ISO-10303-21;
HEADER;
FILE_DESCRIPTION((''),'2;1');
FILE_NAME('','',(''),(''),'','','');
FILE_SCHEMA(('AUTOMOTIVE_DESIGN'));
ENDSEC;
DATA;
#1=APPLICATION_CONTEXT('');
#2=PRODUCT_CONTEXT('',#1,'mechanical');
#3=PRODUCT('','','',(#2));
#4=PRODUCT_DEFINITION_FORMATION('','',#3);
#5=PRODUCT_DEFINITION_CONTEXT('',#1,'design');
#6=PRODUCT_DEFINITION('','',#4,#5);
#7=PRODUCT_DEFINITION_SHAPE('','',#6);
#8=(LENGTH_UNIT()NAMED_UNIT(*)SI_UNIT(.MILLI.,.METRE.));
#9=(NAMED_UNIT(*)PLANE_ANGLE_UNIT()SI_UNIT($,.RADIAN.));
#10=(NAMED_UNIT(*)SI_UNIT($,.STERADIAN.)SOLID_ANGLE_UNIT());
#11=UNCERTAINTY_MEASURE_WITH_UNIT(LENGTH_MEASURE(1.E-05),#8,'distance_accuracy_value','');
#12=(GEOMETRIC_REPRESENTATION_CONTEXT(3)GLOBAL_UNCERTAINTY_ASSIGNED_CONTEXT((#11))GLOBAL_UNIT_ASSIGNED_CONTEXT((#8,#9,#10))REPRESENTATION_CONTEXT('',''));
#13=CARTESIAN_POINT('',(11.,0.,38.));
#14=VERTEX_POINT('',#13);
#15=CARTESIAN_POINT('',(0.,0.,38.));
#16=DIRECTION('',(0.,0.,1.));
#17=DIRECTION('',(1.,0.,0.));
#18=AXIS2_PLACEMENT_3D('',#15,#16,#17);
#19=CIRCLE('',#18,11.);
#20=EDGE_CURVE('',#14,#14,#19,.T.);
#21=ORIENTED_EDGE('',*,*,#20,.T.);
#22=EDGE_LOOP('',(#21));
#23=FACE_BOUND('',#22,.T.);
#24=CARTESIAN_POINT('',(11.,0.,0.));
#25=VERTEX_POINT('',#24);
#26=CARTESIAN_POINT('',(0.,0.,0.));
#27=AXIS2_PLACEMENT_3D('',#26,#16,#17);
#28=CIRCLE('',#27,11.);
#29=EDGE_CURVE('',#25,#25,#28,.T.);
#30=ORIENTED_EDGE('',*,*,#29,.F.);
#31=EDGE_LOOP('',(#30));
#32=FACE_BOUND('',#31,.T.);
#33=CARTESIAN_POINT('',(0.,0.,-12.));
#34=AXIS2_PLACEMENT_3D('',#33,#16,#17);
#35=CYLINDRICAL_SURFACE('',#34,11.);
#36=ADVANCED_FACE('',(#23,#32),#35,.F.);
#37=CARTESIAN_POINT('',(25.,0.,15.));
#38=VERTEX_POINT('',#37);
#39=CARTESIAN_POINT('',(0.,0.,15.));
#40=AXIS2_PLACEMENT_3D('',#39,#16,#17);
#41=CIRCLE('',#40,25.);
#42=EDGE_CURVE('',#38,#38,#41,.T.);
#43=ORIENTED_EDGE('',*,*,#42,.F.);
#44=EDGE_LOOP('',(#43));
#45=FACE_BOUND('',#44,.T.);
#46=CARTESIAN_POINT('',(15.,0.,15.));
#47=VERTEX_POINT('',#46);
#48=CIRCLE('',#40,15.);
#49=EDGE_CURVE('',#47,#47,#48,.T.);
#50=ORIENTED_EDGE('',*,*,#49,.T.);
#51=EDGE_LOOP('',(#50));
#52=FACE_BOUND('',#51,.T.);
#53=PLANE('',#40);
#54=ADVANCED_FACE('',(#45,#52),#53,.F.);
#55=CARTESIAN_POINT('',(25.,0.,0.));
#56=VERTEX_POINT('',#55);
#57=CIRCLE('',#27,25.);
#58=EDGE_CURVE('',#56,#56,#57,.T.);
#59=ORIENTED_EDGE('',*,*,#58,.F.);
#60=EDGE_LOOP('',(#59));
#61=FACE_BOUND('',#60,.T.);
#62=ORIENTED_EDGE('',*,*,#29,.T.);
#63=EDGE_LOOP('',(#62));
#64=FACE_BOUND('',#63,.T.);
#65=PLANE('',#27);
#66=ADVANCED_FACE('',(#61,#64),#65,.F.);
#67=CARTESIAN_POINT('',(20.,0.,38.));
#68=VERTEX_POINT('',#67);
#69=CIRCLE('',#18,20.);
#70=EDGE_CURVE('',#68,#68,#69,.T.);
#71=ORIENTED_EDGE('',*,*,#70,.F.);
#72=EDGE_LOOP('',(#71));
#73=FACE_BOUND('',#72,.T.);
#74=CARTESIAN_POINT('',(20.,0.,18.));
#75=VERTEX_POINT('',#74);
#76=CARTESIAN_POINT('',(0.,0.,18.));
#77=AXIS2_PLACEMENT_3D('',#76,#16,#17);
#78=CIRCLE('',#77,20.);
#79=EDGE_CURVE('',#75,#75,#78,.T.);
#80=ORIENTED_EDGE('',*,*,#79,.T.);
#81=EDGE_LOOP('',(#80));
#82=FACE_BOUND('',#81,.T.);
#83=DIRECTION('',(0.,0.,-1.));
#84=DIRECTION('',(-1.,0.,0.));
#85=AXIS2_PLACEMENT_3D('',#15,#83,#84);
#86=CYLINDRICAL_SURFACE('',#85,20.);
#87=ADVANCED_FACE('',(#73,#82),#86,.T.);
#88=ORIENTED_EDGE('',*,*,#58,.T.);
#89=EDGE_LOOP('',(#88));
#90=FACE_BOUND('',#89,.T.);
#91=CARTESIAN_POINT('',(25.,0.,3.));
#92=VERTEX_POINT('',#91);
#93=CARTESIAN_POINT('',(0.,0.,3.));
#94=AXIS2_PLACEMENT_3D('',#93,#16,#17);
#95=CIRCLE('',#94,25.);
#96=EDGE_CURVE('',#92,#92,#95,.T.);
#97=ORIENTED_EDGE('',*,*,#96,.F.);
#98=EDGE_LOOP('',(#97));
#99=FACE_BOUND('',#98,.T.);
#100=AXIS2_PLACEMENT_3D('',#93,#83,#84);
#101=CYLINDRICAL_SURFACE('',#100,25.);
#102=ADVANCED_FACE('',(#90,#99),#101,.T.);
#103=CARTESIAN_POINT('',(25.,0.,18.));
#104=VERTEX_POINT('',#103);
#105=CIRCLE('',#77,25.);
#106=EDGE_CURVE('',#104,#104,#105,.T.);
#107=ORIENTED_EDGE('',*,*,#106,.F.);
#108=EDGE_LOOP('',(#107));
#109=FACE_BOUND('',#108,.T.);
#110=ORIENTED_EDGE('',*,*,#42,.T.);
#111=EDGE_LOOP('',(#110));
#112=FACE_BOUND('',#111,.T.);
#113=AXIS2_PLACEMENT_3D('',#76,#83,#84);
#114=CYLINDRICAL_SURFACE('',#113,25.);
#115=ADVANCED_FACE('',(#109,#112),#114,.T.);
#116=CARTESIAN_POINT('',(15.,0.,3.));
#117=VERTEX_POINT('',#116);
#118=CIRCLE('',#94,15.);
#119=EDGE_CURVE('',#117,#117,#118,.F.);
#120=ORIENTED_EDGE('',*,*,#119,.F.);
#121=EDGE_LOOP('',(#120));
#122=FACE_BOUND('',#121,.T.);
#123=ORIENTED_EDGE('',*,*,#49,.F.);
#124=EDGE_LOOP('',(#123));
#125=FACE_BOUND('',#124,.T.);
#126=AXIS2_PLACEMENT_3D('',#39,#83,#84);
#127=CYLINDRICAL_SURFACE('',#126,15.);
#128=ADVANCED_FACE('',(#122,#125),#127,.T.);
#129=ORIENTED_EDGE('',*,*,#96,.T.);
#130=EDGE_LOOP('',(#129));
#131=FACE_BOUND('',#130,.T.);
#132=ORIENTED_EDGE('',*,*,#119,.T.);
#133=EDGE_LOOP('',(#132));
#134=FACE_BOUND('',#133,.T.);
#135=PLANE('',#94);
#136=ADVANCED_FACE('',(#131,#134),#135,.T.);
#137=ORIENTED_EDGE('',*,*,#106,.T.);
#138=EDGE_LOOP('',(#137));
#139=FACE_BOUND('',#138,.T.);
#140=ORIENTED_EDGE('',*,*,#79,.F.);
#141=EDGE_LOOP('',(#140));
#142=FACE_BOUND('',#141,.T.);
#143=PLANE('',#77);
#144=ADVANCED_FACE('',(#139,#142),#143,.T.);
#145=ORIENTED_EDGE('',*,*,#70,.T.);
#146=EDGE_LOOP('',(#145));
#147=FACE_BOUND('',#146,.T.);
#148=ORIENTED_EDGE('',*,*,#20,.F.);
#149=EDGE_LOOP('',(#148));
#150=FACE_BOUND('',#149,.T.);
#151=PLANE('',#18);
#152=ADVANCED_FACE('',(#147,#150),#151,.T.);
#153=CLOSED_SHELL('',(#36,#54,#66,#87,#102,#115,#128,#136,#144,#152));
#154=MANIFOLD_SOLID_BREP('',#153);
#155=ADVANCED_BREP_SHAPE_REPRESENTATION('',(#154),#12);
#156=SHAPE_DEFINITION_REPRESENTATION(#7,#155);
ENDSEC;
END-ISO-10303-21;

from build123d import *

# Parameters (mm, degrees)
SKETCH1_R           = 25
BOSS_EXTRUDE1_DEPTH = 3
SKETCH2_R           = 15
BOSS_EXTRUDE2_DEPTH = 15
SKETCH3_R           = 25
BOSS_EXTRUDE3_DEPTH = 3
SKETCH4_R           = 20
BOSS_EXTRUDE4_DEPTH = 20
SKETCH5_R           = 11
CUT_EXTRUDE1_DEPTH  = 50


with BuildPart() as part:
    # Sketch1 → Boss-Extrude1 (new body)
    with BuildSketch(Plane.XY):
        Circle(SKETCH1_R)
    extrude(amount=BOSS_EXTRUDE1_DEPTH)

    # Sketch2 → Boss-Extrude2 (add)
    with BuildSketch(Plane.XY):
        Circle(SKETCH2_R)
    extrude(amount=BOSS_EXTRUDE2_DEPTH)

    # Sketch3 → Boss-Extrude3 (add)
    with BuildSketch(Plane.XY.offset(15)):
        Circle(SKETCH3_R)
    extrude(amount=BOSS_EXTRUDE3_DEPTH)

    # Sketch4 → Boss-Extrude4 (add)
    with BuildSketch(Plane.XY.offset(18)):
        Circle(SKETCH4_R)
    extrude(amount=BOSS_EXTRUDE4_DEPTH)

    # Sketch5 → Cut-Extrude1 (cut)
    with BuildSketch(Plane.XY.offset(38)):
        Circle(SKETCH5_R)
    extrude(amount=-CUT_EXTRUDE1_DEPTH, mode=Mode.SUBTRACT)


solid = part.part
